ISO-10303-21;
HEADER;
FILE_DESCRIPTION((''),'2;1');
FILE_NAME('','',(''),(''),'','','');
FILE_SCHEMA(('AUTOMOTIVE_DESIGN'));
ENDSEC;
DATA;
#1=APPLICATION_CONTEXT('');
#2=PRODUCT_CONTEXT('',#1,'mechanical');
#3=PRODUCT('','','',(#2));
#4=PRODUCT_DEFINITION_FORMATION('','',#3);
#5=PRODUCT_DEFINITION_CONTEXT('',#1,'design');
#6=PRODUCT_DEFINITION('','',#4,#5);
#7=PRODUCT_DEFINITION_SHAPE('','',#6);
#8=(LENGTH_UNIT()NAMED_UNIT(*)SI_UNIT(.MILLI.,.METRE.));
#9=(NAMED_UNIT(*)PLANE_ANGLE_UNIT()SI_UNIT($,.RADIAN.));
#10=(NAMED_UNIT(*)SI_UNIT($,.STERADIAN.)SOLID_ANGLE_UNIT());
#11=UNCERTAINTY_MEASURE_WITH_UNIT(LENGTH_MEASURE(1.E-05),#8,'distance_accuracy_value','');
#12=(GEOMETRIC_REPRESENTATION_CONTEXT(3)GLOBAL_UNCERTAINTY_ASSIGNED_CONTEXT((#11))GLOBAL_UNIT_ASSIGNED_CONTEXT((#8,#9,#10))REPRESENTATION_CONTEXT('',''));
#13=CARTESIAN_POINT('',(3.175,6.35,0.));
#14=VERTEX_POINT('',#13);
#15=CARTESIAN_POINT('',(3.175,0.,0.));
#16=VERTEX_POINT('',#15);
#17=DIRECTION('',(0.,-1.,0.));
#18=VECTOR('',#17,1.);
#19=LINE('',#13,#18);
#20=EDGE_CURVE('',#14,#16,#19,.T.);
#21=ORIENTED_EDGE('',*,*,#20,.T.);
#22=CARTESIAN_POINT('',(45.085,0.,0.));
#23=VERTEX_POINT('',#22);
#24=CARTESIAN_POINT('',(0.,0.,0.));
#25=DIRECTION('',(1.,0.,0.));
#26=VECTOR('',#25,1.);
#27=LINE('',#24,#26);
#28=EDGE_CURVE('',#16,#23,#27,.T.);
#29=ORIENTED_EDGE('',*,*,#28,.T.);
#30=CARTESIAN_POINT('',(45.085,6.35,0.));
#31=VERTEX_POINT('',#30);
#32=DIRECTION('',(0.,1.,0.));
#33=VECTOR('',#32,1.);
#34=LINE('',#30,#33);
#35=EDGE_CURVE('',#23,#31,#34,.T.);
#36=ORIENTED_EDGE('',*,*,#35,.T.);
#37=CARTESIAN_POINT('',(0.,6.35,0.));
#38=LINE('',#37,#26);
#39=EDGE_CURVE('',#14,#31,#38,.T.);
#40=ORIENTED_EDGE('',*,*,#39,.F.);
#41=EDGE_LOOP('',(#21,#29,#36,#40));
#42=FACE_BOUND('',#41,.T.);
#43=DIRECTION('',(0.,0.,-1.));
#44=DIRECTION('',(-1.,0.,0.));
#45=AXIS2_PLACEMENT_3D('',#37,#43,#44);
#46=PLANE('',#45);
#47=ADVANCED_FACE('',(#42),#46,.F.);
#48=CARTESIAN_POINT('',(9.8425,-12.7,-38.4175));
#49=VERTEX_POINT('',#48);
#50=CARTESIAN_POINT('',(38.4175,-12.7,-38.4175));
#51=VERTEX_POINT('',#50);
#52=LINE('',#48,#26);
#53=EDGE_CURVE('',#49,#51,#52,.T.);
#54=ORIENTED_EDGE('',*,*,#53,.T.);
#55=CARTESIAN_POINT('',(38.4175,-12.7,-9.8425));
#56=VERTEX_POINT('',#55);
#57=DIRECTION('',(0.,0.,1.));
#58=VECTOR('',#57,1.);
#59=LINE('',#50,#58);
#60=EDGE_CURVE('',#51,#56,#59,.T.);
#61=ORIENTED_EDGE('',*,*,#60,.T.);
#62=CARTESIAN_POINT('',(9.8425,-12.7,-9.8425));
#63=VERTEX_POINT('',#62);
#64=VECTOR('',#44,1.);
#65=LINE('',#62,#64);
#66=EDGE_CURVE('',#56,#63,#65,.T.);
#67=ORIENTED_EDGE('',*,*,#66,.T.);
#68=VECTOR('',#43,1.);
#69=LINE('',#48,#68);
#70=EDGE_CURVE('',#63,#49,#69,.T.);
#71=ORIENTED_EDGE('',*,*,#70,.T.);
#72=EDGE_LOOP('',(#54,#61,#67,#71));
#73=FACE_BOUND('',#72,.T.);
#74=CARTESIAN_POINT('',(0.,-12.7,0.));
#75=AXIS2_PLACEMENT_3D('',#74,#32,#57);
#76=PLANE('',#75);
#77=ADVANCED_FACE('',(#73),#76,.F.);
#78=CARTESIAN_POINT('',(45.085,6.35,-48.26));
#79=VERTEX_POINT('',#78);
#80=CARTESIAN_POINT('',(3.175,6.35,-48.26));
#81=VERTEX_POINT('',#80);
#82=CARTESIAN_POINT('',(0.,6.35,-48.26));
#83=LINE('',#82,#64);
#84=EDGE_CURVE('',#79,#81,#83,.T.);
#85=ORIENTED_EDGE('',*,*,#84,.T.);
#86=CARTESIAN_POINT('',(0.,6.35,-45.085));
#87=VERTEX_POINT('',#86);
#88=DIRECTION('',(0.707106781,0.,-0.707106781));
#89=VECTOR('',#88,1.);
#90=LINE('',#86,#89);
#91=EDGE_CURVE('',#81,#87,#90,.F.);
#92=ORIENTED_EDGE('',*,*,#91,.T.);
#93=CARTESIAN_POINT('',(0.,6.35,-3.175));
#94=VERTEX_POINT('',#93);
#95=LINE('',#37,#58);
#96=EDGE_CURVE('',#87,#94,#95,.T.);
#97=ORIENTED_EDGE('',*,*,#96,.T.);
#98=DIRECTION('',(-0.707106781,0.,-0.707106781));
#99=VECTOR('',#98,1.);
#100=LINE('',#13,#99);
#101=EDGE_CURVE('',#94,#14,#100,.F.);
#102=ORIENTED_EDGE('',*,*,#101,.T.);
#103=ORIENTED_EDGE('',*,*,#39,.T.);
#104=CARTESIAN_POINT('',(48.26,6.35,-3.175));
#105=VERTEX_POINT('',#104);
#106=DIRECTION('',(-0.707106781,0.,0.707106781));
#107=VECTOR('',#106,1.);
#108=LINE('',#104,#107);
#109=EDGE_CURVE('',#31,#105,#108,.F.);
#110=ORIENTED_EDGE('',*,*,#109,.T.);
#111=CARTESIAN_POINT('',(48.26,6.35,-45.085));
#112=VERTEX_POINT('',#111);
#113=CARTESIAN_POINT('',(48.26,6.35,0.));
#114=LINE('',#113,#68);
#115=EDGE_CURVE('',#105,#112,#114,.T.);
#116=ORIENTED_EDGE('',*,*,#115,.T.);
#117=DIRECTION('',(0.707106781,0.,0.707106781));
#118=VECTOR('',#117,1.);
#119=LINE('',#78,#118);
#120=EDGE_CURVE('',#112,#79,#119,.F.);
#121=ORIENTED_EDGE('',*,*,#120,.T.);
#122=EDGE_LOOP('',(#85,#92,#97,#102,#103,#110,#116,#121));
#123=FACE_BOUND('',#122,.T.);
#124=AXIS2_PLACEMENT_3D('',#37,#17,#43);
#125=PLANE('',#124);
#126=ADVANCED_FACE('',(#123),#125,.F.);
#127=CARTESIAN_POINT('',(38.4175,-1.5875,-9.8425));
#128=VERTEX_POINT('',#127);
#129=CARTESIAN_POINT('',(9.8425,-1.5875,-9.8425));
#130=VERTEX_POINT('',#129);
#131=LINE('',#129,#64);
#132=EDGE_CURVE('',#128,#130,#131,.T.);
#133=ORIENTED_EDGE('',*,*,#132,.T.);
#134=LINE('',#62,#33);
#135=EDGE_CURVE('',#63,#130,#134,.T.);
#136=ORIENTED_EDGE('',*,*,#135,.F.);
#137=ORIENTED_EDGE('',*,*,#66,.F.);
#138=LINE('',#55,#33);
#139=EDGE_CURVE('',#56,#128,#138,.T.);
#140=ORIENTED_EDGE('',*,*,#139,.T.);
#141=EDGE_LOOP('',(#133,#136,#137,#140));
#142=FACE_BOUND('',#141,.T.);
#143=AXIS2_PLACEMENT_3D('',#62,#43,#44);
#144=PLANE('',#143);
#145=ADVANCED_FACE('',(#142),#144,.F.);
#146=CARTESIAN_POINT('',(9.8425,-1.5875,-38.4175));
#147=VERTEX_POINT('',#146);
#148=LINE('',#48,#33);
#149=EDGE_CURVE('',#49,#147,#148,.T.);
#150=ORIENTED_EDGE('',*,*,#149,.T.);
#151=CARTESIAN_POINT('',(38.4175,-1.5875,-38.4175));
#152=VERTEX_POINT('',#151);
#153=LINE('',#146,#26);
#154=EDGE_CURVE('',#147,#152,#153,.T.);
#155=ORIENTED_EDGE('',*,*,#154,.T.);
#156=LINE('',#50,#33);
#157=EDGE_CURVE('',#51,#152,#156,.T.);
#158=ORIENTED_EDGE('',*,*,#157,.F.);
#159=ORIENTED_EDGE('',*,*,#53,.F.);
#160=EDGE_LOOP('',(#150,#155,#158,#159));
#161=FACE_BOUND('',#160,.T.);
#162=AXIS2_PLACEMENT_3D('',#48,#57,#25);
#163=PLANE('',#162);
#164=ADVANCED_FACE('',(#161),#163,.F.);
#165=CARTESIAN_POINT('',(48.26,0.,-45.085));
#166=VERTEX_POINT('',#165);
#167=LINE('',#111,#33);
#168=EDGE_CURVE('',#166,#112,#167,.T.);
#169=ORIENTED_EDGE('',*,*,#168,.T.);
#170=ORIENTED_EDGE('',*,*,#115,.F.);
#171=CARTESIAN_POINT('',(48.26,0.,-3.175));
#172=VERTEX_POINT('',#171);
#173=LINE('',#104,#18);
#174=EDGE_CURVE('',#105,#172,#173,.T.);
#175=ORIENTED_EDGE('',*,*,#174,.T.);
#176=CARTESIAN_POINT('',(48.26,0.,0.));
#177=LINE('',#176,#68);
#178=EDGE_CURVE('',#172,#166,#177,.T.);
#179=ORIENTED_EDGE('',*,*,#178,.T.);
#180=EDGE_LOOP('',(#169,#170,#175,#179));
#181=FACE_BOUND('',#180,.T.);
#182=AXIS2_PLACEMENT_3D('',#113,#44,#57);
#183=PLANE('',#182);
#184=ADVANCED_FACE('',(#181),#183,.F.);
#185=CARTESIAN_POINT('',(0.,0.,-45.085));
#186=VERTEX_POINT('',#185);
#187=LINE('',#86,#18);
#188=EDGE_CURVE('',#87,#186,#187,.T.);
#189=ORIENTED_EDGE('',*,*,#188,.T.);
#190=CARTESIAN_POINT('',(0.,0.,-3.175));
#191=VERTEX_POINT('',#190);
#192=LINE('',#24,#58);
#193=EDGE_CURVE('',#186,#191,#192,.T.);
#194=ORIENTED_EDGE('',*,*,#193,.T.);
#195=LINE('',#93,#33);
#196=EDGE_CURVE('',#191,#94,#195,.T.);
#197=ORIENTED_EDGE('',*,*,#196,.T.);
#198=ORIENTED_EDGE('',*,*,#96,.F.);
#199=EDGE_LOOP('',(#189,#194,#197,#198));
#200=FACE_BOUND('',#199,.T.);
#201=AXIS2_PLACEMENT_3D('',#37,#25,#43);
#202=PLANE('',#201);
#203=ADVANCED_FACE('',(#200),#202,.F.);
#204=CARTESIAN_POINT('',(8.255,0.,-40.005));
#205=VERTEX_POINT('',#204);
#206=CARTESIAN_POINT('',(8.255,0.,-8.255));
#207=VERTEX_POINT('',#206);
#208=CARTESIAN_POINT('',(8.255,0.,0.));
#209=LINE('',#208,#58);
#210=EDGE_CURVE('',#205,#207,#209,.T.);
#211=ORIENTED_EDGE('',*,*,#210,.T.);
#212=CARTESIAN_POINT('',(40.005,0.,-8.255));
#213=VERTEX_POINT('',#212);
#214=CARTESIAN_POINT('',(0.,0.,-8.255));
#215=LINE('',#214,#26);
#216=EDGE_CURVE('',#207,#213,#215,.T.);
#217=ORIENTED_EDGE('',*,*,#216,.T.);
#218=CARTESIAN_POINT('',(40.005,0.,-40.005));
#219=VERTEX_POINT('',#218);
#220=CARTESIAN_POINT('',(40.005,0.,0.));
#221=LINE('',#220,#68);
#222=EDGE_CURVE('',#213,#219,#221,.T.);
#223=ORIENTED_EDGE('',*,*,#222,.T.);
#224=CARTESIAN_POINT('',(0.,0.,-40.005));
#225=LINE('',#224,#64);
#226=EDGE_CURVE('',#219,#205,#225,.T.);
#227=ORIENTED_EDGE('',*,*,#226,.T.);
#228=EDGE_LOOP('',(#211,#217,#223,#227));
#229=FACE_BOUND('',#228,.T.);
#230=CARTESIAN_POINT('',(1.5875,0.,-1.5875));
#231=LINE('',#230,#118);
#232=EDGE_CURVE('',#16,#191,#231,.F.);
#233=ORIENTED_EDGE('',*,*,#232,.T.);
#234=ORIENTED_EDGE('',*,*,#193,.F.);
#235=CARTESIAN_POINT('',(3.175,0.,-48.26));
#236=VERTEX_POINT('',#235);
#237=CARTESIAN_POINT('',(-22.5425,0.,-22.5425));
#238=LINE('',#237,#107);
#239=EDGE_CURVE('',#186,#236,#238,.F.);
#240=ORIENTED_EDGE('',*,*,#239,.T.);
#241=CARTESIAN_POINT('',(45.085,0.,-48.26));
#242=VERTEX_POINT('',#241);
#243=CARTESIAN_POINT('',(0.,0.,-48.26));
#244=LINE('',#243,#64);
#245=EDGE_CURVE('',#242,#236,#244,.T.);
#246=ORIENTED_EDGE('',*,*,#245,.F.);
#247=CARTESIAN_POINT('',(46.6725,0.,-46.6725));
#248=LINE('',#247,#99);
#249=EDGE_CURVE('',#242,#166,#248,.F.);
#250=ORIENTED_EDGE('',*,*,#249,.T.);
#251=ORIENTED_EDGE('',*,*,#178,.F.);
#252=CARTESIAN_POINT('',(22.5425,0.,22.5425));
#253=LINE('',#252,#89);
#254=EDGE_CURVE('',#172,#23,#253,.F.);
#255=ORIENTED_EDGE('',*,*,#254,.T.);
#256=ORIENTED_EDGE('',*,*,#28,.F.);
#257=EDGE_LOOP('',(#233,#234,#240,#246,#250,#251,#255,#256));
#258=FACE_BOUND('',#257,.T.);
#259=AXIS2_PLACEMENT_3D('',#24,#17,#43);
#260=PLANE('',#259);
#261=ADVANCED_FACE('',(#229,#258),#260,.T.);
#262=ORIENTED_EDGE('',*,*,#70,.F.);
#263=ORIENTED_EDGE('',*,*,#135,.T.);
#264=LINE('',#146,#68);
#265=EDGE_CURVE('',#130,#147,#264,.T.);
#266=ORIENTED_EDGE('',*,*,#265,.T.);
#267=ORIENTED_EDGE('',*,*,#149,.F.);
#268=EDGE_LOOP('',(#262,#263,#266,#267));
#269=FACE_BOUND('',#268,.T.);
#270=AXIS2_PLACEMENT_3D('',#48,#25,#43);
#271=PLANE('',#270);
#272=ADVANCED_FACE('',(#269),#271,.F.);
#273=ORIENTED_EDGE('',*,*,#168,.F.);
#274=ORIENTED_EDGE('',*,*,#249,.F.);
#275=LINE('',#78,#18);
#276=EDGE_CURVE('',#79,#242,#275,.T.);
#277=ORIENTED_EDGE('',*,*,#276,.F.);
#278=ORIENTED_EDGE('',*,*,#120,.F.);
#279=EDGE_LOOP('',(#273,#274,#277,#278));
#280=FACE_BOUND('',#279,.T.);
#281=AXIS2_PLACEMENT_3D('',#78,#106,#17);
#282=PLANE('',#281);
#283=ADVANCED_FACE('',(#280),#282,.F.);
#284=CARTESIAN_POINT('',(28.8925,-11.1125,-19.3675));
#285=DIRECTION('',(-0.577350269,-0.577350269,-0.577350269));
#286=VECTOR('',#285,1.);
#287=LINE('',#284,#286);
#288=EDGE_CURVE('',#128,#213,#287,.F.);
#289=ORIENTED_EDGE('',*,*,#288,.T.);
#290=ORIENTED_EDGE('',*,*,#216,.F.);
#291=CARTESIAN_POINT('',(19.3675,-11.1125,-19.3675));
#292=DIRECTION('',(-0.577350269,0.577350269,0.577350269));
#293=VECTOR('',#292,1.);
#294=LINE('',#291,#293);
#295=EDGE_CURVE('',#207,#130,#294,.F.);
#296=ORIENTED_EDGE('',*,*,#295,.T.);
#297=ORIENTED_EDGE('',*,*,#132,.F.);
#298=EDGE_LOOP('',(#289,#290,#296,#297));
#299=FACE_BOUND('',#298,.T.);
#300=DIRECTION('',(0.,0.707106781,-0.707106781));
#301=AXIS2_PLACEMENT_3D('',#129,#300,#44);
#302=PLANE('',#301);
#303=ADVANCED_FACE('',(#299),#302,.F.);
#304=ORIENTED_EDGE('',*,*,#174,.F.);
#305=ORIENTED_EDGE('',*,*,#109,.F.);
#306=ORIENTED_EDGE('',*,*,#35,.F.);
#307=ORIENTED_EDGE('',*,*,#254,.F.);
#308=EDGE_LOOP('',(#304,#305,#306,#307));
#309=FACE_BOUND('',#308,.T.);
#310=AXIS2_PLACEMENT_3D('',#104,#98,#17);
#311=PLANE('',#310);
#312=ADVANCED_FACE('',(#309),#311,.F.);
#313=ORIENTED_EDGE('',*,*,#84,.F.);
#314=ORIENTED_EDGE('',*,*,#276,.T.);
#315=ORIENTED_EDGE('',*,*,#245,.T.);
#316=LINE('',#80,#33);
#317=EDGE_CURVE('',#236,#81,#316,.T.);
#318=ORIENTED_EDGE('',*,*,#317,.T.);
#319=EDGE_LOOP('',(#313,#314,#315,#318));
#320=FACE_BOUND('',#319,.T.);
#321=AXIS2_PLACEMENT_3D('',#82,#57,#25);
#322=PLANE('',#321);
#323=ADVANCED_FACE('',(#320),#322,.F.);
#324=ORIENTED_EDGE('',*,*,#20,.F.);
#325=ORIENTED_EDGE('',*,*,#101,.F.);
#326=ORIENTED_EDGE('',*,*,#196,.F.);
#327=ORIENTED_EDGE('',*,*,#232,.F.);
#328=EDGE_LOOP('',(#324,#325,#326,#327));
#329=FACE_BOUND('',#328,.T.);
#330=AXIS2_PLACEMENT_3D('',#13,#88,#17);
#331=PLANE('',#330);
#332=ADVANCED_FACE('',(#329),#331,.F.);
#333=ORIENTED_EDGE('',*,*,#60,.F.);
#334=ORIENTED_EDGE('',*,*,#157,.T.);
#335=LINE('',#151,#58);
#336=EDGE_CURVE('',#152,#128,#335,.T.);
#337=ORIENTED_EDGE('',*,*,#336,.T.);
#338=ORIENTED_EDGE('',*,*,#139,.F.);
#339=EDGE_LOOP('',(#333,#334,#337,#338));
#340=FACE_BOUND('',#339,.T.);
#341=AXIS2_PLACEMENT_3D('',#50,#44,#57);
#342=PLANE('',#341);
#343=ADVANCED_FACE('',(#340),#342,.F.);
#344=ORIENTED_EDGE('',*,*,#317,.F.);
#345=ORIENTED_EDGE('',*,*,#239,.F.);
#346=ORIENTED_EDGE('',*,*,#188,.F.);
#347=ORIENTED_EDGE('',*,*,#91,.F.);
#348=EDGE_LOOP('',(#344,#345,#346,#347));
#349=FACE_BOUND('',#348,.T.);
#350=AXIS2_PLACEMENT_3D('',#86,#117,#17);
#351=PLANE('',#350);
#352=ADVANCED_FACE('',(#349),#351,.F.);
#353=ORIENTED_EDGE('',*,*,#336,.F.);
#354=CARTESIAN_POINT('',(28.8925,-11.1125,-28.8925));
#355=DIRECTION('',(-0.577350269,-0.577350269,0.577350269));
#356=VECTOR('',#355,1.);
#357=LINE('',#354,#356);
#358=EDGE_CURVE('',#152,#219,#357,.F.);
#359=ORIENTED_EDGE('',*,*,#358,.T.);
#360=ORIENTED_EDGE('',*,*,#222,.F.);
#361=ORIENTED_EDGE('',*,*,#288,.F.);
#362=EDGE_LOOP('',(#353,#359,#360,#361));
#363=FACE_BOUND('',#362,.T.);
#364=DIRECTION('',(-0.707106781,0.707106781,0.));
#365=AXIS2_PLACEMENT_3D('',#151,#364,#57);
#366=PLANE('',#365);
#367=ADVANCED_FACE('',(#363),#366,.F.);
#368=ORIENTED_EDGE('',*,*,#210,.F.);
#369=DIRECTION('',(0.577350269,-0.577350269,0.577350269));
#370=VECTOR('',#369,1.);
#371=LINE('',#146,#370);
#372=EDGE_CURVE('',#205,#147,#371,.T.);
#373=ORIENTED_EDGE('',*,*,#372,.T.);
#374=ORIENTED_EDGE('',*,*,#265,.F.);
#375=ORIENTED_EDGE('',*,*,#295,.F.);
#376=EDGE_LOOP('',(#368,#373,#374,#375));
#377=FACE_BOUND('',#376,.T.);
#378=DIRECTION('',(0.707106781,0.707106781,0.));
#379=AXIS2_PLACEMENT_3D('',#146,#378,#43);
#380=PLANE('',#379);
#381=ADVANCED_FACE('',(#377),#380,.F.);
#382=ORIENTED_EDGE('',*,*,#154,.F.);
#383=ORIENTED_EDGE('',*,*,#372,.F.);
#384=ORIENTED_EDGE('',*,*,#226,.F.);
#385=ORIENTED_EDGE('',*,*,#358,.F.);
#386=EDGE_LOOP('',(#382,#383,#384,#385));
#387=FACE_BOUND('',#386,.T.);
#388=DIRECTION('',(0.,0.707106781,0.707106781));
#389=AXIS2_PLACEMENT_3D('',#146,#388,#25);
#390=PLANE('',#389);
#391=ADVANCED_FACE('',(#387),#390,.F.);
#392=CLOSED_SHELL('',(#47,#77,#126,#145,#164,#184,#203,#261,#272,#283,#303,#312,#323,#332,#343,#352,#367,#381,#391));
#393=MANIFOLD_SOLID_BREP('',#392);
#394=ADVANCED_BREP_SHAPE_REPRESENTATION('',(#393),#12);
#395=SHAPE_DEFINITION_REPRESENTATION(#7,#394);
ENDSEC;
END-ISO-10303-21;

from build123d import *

# Parameters (mm, degrees)
SKETCH1_W           = 48.26
SKETCH1_H           = 48.26
BOSS_EXTRUDE1_DEPTH = 6.35
CHAMFER1_SIZE       = 3.175
SKETCH4_W           = 28.575
SKETCH4_H           = 28.575
BOSS_EXTRUDE2_DEPTH = 12.7
CHAMFER2_SIZE       = 1.5875


with BuildPart() as part:
    # Sketch1 → Boss-Extrude1 (new body)
    with BuildSketch(Plane(origin=(0, 0, 0), x_dir=(1, 0, 0), z_dir=(0, 1, 0))):
        with Locations((24.13, 24.13)):
            Rectangle(SKETCH1_W, SKETCH1_H)
    extrude(amount=BOSS_EXTRUDE1_DEPTH)

    # Chamfer1
    chamfer1_edges = [part.edges().sort_by_distance(p)[0] for p in [
        (0, 3.175, -48.26),
        (48.26, 3.175, -48.26),
        (48.26, 3.175, 0),
        (0, 3.175, 0),
    ]]
    chamfer(chamfer1_edges, length=CHAMFER1_SIZE)

    # Sketch4 → Boss-Extrude2 (add)
    with BuildSketch(Plane.XZ):
        with Locations((24.13, -24.13)):
            Rectangle(SKETCH4_W, SKETCH4_H)
    extrude(amount=BOSS_EXTRUDE2_DEPTH)

    # Chamfer2
    chamfer2_edges = [part.edges().sort_by_distance(p)[0] for p in [
        (38.4175, 0, -24.13),
        (24.13, 0, -9.8425),
        (9.8425, 0, -24.13),
        (24.13, 0, -38.4175),
    ]]
    chamfer(chamfer2_edges, length=CHAMFER2_SIZE)


solid = part.part
